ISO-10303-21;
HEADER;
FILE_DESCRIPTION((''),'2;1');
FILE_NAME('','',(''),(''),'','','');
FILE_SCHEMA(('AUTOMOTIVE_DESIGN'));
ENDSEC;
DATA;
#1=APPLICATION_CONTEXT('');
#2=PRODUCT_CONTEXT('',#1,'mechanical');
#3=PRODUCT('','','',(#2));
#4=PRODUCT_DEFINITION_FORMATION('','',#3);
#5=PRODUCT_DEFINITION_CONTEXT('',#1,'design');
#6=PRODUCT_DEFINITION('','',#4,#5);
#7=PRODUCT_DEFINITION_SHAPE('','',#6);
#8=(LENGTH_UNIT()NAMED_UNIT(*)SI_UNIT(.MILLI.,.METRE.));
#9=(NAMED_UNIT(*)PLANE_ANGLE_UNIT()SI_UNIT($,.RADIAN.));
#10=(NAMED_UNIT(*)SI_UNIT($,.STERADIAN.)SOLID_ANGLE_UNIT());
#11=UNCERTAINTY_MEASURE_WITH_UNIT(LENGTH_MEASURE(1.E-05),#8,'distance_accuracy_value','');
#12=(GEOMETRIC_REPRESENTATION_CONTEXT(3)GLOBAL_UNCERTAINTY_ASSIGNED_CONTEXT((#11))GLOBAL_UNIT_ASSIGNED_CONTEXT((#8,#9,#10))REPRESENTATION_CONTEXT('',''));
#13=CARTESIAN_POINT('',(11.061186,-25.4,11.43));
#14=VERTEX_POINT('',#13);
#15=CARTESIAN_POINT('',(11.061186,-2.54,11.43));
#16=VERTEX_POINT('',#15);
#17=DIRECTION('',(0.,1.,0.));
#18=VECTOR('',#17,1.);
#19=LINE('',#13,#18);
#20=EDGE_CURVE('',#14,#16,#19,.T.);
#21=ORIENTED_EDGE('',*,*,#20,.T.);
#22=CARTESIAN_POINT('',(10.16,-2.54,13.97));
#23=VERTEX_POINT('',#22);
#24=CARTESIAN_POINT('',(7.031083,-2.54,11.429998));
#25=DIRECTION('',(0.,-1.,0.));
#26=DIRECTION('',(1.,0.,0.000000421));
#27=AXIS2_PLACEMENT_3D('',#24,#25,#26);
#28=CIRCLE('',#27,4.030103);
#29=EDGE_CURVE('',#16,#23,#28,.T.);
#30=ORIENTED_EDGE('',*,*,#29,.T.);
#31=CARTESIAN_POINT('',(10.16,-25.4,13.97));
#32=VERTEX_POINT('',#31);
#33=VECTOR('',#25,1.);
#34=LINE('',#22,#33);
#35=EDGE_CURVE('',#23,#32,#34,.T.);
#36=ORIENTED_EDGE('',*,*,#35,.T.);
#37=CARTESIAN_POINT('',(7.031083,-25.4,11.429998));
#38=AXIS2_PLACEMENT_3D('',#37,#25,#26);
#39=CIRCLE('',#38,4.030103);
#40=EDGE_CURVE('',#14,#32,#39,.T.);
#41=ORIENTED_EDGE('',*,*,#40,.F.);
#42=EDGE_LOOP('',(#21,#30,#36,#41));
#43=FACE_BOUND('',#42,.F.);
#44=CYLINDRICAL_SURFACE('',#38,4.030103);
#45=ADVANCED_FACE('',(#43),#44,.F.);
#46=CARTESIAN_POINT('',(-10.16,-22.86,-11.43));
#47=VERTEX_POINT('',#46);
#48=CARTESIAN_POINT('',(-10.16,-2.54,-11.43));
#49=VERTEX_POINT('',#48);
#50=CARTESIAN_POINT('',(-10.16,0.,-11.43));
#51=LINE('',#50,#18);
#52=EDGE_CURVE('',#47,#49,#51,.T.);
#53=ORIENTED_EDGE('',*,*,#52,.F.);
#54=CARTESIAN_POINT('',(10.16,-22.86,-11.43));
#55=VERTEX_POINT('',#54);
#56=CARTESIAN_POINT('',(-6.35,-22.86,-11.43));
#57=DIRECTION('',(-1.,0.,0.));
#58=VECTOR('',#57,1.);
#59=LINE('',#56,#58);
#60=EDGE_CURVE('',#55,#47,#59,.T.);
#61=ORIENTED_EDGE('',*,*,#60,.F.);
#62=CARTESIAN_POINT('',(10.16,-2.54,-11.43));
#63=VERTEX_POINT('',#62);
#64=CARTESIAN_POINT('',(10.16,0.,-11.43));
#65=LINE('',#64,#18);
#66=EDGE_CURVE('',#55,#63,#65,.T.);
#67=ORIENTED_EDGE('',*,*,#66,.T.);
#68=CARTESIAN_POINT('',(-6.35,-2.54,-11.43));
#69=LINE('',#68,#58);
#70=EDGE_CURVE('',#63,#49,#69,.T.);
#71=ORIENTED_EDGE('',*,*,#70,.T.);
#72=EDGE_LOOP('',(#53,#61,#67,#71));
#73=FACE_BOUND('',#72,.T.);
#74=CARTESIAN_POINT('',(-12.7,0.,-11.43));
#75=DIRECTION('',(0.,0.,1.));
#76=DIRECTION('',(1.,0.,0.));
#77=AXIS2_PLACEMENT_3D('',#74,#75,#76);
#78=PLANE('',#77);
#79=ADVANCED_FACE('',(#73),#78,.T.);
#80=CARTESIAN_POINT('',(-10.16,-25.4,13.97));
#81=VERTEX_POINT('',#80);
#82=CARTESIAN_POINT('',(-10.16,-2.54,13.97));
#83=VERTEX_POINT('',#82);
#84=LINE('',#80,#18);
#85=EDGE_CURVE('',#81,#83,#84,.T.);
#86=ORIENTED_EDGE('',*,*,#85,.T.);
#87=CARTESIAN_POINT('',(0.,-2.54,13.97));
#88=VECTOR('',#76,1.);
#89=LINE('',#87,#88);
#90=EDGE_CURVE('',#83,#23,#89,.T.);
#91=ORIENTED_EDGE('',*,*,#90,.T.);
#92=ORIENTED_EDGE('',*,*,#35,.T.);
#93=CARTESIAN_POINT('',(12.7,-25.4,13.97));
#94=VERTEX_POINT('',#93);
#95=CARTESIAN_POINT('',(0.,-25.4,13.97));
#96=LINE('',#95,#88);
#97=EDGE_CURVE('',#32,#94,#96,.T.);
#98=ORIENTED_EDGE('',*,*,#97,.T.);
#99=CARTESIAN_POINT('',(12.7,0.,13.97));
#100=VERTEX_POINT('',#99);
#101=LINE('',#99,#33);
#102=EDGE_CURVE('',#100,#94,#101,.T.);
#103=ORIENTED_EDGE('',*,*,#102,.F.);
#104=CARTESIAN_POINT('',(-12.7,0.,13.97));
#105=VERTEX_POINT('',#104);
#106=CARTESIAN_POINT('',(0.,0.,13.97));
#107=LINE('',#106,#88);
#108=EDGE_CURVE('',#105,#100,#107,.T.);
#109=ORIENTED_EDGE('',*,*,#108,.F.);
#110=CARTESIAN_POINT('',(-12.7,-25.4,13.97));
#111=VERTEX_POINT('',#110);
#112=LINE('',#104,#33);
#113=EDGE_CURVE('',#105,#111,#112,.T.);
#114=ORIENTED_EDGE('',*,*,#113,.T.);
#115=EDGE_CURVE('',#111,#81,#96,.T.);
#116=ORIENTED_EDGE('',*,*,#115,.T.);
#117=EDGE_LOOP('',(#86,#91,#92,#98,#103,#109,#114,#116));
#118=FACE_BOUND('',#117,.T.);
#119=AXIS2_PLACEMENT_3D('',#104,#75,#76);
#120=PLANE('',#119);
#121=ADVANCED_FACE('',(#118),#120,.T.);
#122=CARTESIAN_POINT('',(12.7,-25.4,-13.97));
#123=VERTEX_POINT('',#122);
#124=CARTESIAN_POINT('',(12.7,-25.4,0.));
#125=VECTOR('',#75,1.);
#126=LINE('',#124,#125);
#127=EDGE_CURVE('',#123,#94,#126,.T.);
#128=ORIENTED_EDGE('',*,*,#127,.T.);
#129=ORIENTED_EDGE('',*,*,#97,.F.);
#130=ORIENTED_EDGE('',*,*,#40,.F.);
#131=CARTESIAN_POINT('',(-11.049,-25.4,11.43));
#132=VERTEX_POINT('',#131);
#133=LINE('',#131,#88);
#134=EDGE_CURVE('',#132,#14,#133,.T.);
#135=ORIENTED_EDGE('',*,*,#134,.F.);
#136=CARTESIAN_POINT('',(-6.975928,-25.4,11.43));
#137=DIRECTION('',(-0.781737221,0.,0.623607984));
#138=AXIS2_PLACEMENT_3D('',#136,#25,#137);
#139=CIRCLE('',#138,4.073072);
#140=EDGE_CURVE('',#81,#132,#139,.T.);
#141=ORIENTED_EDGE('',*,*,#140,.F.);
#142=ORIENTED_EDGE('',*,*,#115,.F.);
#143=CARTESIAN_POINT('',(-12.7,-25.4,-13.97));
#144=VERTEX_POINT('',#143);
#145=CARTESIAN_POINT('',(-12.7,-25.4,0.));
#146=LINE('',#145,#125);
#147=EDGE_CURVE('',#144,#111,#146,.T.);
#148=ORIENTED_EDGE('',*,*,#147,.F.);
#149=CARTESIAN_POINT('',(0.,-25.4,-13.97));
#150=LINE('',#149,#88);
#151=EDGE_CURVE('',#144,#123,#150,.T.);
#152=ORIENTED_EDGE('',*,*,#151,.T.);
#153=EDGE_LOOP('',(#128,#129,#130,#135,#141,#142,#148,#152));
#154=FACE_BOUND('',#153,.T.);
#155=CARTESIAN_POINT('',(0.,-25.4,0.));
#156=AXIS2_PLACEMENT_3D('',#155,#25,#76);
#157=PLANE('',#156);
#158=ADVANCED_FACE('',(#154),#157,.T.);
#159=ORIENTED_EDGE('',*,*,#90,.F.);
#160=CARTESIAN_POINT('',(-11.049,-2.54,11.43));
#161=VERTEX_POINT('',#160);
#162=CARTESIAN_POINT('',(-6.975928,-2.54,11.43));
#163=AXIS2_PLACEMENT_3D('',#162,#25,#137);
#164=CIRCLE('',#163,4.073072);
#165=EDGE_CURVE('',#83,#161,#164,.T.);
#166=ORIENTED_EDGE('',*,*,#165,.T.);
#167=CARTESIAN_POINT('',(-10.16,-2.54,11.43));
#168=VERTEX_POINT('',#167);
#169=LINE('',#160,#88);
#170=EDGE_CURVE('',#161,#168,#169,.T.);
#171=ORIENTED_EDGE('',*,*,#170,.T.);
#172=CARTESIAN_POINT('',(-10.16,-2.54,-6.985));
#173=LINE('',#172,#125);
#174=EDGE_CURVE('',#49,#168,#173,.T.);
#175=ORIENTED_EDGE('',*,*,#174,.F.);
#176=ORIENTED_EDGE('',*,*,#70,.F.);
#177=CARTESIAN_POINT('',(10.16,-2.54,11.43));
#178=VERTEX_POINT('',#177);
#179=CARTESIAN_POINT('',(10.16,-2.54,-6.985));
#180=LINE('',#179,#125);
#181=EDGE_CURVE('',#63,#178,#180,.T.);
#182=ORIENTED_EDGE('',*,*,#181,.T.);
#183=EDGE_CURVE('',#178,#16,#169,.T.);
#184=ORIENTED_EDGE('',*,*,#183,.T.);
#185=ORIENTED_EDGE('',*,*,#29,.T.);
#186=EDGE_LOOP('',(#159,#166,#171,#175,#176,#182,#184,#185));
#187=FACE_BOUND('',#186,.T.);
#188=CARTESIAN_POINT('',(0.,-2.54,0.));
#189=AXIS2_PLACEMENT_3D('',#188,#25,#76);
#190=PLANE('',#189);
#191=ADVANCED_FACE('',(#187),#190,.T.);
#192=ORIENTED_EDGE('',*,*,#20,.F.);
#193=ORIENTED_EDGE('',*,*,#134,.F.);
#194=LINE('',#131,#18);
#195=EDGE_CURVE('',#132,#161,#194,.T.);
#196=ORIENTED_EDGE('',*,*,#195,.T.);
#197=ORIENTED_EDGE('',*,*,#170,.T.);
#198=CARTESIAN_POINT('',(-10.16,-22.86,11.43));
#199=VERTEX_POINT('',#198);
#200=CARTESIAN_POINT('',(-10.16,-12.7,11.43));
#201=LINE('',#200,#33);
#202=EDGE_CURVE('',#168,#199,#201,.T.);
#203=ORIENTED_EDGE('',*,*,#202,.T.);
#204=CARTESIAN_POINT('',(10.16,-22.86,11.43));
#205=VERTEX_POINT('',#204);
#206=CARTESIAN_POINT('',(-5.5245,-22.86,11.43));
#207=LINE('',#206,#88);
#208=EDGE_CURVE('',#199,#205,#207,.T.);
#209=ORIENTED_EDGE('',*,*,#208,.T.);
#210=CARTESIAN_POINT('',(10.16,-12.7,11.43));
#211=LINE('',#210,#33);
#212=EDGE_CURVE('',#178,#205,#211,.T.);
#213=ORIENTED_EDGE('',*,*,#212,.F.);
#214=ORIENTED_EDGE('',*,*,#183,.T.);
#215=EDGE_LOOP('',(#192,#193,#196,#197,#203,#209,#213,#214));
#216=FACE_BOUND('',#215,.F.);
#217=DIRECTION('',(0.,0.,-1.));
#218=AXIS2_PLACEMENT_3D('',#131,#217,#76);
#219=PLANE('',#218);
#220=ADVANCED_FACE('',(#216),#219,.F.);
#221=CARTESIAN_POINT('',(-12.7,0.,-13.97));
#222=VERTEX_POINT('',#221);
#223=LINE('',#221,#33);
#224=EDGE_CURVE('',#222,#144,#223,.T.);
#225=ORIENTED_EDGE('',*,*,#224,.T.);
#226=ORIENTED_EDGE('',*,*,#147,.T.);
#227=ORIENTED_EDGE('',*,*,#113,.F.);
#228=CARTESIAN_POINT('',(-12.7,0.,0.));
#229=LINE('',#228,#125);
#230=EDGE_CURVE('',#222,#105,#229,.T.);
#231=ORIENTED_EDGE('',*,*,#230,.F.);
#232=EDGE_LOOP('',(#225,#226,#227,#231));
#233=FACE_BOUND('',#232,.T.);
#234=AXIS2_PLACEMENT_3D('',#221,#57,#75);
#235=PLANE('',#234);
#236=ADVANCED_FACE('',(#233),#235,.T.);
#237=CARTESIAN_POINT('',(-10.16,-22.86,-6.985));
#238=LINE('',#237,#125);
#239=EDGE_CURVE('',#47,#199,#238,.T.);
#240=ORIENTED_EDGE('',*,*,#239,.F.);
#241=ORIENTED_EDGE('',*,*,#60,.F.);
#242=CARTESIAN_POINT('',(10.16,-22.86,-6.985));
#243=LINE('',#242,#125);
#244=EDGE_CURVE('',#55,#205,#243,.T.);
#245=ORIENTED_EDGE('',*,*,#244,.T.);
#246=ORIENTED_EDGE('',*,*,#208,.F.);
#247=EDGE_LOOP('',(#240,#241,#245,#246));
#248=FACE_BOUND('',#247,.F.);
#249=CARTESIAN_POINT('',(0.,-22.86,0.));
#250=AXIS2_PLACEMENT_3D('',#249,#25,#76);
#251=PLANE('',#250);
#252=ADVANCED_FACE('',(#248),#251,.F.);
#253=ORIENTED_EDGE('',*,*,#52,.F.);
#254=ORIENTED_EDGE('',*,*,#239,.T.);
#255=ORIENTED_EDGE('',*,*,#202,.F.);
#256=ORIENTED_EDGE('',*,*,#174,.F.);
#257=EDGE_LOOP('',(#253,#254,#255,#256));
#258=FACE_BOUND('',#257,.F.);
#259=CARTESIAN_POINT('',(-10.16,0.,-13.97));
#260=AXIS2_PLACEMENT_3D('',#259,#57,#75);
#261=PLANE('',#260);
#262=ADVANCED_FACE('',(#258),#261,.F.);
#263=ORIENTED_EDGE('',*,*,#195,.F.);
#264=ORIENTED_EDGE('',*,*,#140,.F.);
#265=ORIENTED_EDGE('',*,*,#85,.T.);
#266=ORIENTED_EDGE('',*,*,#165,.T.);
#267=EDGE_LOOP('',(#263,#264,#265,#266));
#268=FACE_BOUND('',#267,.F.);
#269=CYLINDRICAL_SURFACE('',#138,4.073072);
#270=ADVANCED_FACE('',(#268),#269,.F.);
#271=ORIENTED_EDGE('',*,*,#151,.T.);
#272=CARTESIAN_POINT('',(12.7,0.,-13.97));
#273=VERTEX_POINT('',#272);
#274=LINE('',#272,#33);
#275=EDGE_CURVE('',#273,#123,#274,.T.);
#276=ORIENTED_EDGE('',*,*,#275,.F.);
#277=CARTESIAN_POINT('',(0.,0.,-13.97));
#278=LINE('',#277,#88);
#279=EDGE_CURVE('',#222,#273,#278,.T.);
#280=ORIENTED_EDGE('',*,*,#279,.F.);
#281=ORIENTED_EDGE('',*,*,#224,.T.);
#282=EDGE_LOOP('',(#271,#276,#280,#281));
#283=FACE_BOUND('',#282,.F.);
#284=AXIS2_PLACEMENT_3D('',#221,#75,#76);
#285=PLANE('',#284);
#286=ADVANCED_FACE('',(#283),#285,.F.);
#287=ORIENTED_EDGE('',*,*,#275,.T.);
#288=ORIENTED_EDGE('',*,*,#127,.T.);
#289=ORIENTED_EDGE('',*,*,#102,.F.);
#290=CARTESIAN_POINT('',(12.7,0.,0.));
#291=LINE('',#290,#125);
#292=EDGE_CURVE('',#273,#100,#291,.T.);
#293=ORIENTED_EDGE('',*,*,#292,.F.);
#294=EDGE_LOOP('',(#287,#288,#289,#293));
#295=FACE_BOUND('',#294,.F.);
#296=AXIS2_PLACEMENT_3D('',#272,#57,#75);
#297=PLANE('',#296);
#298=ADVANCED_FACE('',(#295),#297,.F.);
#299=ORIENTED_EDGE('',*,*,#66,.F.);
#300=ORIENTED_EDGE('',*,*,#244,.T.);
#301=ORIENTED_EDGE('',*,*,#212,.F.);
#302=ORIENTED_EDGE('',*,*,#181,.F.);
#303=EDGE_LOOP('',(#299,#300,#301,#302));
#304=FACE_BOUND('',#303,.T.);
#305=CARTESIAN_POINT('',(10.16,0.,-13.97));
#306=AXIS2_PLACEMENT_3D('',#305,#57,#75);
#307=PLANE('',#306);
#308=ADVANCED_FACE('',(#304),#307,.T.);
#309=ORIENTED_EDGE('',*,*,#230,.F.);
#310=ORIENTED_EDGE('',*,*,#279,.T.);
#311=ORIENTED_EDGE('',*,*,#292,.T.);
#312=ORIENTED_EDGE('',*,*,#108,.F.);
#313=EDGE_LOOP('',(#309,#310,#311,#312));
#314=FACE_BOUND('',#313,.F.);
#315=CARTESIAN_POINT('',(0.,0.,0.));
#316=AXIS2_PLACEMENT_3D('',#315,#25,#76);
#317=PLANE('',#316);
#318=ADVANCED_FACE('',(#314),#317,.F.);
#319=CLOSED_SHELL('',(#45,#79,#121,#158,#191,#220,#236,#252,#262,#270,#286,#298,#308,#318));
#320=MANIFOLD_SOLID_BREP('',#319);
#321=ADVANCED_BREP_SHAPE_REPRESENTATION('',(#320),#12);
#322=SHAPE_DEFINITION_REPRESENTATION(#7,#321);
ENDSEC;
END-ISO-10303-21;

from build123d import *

# Parameters (mm, degrees)
F0_W     = 25.4
F0_H     = 27.94
F1_DEPTH = 25.4
F2_T     = -2.54
F4_DEPTH = 22.86


with BuildPart() as f1:
    # F0 (on Front) → F1 (new body)
    with BuildSketch(Plane.XZ):
        Rectangle(F0_W, F0_H)
    extrude(amount=F1_DEPTH)

    # F2
    f2_openings = [f1.faces().sort_by_distance(p)[0] for p in [
        (0, -12.7, 13.97),
    ]]
    offset(amount=F2_T, openings=f2_openings)

    # F3 (on face) → F4 (cut)
    with BuildSketch(Plane.XZ.offset(25.4)):
        with BuildLine():
            Line((-11.049, 11.43), (11.061186, 11.43))
            ThreePointArc((11.061186, 11.43), (10.829213, 12.777566), (10.16, 13.97))
            Line((10.16, 13.97), (-10.16, 13.97))
            ThreePointArc((-10.16, 13.97), (-10.820331, 12.775541), (-11.049, 11.43))
        make_face()
    extrude(amount=-F4_DEPTH, mode=Mode.SUBTRACT)


solid = f1.part
